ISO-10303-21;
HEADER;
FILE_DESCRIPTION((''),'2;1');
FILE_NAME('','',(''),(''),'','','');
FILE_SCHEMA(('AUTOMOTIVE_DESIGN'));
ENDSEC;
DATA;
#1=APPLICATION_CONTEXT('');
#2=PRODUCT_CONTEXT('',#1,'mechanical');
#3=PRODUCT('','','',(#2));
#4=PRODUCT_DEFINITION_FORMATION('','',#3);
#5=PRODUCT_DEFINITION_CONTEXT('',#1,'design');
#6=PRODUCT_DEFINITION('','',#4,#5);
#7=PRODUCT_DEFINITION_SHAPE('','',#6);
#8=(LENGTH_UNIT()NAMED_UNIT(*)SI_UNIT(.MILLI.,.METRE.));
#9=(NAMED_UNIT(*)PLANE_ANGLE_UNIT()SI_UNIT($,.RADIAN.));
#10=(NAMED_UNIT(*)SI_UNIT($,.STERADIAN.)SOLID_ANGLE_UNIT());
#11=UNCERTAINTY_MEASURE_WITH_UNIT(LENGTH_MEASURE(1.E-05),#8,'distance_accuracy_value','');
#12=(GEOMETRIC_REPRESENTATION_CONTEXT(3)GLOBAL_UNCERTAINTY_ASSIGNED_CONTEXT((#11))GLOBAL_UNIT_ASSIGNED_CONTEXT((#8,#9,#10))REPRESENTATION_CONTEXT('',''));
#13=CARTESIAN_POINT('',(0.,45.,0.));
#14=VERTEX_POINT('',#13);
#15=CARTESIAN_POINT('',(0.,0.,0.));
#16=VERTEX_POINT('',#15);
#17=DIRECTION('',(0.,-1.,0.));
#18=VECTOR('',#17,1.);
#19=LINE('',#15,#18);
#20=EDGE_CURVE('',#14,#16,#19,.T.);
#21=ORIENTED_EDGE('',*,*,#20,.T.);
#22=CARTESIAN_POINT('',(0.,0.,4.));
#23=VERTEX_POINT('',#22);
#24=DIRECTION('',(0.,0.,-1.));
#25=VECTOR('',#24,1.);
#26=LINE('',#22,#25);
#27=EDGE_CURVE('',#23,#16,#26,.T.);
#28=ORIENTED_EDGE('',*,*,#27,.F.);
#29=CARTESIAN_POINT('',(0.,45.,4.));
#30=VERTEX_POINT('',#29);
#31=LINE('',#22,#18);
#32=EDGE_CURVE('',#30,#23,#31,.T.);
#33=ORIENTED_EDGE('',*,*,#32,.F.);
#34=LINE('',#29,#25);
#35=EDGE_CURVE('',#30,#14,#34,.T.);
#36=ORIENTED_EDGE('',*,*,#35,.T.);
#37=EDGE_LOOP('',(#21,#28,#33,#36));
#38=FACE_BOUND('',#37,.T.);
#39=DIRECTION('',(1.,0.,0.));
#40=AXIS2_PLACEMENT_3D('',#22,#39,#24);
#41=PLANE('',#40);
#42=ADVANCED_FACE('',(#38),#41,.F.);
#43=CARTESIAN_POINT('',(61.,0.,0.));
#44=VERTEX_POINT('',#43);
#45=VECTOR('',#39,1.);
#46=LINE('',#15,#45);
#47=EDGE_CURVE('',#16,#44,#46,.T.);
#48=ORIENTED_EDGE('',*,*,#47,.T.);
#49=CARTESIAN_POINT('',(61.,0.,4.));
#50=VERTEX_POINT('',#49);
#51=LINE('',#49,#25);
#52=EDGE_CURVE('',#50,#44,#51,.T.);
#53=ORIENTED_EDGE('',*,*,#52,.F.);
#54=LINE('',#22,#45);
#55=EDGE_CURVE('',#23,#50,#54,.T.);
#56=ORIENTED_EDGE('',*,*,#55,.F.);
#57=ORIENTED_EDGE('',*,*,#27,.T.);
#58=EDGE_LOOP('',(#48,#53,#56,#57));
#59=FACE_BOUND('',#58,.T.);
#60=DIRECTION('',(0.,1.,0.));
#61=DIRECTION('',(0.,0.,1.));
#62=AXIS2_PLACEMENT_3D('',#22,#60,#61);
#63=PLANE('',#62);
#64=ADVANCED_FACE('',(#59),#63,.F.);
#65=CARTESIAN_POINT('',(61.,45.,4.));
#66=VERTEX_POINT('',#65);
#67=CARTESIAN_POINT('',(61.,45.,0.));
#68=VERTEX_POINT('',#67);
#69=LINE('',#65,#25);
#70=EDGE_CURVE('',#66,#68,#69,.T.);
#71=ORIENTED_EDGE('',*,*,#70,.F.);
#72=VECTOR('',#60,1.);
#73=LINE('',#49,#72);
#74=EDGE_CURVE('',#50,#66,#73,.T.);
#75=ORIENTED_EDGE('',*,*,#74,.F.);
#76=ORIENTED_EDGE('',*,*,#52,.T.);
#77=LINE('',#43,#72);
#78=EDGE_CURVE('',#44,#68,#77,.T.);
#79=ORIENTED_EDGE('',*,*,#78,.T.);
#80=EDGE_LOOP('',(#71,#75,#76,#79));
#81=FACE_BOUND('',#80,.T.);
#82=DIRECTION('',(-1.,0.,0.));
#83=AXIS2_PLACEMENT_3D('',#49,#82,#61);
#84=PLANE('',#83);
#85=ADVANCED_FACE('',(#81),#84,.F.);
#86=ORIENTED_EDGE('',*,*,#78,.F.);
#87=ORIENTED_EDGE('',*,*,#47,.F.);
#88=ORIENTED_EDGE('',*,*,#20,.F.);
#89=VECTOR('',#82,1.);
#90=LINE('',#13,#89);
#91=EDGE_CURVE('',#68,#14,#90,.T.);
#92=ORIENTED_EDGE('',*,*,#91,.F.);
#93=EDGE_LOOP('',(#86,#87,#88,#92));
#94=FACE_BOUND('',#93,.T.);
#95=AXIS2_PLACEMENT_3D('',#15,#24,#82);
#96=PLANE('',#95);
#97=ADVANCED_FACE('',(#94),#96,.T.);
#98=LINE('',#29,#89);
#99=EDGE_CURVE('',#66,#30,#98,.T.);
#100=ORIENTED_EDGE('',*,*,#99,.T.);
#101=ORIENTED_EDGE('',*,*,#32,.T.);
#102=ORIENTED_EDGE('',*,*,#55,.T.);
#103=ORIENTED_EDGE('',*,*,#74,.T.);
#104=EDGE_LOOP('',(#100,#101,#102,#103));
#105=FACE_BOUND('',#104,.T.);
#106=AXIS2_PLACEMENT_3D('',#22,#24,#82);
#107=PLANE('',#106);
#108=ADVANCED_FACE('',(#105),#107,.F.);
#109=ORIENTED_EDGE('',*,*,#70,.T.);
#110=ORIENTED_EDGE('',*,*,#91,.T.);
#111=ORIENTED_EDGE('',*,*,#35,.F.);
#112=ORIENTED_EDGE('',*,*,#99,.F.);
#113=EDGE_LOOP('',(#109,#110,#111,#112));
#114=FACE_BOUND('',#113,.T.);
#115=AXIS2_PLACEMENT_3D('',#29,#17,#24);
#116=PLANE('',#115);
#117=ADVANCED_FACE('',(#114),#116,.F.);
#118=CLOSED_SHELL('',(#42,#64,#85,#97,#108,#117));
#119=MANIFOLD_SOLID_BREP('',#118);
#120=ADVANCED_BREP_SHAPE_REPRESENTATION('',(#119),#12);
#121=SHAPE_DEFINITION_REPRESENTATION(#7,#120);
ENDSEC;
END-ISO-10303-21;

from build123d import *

# Parameters (mm, degrees)
SKETCH1_W           = 61
SKETCH1_H           = 45
BOSS_EXTRUDE1_DEPTH = 4


with BuildPart() as part:
    # Sketch1 → Boss-Extrude1 (new body)
    with BuildSketch(Plane.XY):
        with Locations((30.5, 22.5)):
            Rectangle(SKETCH1_W, SKETCH1_H)
    extrude(amount=BOSS_EXTRUDE1_DEPTH)


solid = part.part
